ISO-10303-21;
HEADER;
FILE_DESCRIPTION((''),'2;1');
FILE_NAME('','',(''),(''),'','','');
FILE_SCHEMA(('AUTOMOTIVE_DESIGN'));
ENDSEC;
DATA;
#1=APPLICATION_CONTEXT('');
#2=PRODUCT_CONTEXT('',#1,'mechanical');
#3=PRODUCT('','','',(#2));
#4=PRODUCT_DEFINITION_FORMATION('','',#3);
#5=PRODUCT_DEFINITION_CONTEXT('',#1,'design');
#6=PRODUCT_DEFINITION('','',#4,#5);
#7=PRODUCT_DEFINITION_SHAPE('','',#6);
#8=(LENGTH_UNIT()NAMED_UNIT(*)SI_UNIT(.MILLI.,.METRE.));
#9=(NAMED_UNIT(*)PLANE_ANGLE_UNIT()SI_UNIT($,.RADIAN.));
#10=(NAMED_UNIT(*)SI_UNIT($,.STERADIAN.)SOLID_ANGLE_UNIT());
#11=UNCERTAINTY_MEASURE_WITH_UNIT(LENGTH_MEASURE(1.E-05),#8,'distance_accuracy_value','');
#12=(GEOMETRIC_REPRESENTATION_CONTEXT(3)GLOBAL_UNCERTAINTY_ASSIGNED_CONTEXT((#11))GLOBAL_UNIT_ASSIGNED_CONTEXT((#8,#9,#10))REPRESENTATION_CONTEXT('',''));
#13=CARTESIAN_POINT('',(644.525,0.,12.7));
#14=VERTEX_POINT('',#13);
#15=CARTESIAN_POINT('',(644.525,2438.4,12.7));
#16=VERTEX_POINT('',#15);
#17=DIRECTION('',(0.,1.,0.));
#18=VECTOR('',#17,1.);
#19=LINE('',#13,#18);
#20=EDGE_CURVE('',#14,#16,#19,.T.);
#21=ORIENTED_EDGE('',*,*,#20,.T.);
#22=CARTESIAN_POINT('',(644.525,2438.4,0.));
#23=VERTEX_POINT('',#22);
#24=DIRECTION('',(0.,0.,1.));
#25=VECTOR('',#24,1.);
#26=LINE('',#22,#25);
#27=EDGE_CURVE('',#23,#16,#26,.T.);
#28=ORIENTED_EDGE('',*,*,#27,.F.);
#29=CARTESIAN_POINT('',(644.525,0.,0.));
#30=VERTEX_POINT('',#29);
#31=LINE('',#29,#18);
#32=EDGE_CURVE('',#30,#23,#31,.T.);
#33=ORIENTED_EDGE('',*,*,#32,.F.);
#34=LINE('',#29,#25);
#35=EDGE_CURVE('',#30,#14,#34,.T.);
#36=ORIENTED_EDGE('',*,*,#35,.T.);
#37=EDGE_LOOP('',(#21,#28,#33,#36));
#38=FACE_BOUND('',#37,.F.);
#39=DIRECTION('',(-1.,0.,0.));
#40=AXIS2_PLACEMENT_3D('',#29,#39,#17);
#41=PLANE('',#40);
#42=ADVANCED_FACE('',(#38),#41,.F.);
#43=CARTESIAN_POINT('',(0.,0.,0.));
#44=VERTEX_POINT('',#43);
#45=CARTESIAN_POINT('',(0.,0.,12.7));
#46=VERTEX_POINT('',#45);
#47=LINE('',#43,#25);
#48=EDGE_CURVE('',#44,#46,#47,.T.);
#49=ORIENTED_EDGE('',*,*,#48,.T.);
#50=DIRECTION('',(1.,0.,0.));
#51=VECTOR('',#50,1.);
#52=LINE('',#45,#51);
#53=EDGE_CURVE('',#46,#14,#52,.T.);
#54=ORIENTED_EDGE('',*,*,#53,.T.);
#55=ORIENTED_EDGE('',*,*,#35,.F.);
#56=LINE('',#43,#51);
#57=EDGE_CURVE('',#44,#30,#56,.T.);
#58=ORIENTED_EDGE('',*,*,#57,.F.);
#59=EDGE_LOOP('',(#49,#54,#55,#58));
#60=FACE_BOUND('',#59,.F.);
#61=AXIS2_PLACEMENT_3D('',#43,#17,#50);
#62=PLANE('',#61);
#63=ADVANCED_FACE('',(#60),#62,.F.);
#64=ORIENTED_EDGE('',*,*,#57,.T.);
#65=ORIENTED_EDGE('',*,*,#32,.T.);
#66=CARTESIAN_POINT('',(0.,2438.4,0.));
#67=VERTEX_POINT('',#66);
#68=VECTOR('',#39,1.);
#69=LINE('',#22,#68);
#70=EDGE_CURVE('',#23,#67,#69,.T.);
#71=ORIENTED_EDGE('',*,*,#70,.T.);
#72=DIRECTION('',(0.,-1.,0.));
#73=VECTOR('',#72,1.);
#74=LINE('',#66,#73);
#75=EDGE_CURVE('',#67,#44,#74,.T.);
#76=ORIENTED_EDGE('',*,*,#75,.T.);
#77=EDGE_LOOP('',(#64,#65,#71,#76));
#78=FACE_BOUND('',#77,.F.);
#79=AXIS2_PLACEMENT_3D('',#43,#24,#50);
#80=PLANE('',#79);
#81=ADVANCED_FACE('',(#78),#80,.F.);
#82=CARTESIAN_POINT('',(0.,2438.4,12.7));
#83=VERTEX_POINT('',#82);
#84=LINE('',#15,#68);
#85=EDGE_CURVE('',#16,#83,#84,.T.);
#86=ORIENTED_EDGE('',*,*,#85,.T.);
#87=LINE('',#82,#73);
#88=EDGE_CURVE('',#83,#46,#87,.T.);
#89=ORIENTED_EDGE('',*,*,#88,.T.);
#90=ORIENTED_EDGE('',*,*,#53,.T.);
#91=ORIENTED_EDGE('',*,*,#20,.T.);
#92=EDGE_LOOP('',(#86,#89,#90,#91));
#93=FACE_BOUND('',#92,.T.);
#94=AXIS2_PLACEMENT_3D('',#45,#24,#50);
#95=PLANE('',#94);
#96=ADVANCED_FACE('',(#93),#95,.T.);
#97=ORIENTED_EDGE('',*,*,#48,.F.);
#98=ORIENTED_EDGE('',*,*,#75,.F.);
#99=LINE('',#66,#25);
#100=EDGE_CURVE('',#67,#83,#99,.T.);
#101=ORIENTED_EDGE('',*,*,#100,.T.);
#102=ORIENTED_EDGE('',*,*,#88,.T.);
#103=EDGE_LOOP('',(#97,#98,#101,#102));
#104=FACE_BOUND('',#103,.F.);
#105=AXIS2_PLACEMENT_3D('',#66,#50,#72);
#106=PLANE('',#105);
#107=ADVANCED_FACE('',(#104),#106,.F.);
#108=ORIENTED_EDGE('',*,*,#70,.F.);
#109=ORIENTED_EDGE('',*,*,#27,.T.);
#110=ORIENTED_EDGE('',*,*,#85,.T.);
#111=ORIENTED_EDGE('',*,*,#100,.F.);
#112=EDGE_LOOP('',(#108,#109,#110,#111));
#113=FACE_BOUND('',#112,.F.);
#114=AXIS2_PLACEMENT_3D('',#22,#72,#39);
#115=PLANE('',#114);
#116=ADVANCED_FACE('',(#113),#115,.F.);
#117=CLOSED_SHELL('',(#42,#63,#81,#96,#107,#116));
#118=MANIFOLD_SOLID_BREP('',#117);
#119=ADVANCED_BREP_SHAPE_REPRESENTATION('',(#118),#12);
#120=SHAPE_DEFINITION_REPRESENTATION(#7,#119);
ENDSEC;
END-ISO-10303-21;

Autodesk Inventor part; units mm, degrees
ref_plane "YZ Plane" through (0, 0, 0) normal (1, 0, 0) x (0, 1, 0)
ref_plane "XZ Plane" through (0, 0, 0) normal (0, 1, 0) x (-1, 0, 0)
ref_plane "XY Plane" through (0, 0, 0) normal (0, 0, 1) x (1, 0, 0)
sketch "Sketch1" plane through (0, 0, 0) normal (0, 0, 1) x (1, 0, 0)
  line L0 (0, 0) -> (644.525, 0)
  line L1 (644.525, 0) -> (644.525, 2438.4)
  line L2 (644.525, 2438.4) -> (0, 2438.4)
  line L3 (0, 2438.4) -> (0, 0)
  dimension "d2" = 2438.4
  dimension "d3" = 644.525
extrude "Extrusion1" add sketch "Sketch1" along normal blind 12.7
properties part number "Sheathing_With_Dimensions_8.719_x_96_Inches" material "Wood (Birch)"
